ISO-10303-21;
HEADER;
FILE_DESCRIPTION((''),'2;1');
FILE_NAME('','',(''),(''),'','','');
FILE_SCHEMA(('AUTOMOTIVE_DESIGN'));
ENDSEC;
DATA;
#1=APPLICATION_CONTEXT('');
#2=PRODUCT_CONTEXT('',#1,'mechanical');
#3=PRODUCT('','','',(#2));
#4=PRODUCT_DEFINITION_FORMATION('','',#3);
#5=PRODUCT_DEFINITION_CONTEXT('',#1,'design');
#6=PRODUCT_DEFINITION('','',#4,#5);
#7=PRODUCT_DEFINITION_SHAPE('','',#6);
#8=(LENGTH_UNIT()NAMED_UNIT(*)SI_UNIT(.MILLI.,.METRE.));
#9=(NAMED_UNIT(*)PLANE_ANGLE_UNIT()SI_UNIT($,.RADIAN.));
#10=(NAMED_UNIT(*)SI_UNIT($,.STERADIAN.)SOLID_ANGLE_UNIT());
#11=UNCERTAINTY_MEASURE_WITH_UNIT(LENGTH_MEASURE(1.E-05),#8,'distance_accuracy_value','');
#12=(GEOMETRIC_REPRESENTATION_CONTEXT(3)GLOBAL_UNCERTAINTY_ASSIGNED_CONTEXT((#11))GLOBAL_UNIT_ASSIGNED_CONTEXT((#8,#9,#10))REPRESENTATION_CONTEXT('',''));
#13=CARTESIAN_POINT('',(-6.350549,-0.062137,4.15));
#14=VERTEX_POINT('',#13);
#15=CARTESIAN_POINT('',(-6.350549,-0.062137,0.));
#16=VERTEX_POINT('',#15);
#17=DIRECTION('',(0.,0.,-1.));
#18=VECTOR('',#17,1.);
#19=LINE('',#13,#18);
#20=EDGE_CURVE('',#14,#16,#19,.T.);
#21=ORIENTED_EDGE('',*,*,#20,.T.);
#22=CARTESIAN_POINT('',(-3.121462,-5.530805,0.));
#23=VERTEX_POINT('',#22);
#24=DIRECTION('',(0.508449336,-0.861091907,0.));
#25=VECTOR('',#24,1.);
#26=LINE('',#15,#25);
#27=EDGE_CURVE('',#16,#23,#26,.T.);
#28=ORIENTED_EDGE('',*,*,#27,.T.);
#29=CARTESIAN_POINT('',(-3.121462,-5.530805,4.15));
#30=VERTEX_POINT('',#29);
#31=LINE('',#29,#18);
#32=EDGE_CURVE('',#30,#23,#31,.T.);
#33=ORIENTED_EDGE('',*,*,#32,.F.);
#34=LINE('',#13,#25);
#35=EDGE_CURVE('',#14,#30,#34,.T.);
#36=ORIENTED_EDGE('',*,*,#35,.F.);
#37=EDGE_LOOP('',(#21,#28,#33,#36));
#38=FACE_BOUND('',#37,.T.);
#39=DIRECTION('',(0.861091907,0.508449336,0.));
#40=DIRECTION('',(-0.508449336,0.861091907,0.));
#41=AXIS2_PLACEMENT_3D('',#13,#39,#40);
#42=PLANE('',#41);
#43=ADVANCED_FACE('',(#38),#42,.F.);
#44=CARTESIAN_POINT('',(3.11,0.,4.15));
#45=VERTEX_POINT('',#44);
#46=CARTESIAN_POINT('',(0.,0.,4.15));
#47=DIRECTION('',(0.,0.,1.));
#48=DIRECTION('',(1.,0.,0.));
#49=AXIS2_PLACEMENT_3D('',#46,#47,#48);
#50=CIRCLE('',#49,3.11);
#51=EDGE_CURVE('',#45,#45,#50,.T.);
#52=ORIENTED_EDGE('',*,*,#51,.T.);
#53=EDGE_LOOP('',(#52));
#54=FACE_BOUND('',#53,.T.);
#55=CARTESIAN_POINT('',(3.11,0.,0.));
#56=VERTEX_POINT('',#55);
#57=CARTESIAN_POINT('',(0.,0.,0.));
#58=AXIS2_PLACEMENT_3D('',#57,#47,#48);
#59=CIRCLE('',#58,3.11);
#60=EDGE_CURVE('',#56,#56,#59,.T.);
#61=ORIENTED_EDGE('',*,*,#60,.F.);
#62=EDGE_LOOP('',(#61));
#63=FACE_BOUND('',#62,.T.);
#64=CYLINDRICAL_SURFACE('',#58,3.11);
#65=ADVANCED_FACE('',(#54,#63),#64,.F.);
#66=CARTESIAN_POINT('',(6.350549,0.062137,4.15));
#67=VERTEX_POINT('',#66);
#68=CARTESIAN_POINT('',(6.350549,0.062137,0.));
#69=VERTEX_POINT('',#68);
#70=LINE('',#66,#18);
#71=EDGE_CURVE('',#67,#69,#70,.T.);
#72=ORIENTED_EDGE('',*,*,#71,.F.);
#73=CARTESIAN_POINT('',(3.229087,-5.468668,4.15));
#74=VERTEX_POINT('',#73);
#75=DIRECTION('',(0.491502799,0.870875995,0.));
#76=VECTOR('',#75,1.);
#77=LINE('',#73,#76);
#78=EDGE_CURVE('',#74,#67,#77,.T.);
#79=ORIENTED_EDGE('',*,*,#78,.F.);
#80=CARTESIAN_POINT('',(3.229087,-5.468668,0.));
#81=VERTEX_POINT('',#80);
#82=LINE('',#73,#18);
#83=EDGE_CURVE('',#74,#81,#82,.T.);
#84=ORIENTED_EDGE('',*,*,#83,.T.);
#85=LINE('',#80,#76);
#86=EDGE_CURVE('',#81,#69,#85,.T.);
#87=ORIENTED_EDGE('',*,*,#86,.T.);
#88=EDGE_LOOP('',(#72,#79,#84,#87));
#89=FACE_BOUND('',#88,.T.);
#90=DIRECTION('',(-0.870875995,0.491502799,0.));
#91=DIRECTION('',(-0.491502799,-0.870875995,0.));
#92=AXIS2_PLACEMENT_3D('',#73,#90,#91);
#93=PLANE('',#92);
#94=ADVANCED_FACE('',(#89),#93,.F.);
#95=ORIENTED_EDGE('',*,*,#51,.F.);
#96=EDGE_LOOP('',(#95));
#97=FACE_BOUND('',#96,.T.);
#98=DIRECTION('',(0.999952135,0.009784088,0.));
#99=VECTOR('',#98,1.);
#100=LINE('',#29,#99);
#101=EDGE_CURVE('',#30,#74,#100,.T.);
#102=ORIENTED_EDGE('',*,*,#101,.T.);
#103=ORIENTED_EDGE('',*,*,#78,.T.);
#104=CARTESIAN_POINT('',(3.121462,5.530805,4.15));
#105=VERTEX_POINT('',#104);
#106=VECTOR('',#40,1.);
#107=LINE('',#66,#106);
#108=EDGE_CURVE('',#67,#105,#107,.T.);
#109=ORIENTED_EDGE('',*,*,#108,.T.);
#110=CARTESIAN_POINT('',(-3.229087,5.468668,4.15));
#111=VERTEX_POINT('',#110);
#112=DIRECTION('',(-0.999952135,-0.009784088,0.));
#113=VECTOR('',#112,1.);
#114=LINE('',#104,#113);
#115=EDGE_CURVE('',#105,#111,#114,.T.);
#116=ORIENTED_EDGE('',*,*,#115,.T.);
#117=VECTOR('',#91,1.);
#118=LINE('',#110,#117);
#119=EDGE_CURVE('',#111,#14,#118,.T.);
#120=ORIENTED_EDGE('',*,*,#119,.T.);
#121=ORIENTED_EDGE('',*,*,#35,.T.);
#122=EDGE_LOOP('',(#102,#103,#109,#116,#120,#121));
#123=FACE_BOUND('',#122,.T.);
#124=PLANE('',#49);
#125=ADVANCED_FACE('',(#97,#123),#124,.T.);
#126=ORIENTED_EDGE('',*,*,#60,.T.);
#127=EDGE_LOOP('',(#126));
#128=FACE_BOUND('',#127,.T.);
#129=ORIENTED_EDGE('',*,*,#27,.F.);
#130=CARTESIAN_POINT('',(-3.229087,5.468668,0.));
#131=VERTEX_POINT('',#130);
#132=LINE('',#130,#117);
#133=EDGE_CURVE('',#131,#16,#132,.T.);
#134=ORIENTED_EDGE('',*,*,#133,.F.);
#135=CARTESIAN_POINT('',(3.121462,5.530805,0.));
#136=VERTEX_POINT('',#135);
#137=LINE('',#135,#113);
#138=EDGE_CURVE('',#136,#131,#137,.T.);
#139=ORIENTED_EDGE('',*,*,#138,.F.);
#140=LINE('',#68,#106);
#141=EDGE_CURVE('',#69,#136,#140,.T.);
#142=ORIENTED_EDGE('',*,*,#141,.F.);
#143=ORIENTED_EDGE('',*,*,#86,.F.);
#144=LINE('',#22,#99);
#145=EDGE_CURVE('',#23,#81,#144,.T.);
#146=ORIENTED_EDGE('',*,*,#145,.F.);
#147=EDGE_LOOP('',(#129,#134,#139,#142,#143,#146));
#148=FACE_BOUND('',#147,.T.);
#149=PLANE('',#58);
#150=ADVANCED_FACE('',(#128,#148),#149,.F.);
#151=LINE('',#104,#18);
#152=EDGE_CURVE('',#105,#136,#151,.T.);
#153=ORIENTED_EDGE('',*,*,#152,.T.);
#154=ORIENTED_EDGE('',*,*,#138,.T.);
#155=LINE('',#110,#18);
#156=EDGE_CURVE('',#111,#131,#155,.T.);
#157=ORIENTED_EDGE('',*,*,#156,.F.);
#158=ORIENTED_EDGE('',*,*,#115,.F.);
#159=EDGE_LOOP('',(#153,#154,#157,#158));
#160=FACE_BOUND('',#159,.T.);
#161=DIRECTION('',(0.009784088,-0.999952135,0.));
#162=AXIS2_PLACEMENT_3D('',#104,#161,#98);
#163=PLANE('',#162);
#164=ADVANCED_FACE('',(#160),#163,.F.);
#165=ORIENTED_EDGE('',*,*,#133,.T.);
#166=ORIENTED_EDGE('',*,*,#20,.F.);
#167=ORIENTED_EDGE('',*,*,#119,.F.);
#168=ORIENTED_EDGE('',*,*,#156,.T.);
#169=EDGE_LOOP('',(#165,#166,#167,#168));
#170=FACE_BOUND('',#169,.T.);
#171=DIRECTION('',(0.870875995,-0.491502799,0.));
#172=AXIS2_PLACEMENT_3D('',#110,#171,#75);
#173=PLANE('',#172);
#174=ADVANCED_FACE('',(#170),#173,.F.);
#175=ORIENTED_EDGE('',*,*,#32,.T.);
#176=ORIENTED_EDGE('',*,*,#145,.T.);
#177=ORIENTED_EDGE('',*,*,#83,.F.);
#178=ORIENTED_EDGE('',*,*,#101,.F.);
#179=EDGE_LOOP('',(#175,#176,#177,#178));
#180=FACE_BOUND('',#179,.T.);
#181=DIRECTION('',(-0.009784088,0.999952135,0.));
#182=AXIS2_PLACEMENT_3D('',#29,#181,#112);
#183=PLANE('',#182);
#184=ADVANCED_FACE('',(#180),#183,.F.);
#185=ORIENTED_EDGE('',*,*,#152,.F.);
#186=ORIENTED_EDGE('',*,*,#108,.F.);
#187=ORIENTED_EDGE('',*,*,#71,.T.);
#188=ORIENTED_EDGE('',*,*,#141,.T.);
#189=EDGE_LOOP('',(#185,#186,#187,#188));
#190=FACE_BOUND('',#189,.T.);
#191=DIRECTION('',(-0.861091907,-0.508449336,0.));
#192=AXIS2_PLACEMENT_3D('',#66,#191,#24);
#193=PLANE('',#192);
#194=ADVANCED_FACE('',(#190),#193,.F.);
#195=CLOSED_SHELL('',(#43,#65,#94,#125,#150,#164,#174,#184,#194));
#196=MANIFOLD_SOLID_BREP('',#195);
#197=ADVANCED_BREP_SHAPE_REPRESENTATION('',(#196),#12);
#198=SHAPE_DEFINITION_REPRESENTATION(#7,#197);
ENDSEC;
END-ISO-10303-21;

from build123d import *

# Parameters (mm, degrees)
DODANIE_WYCI_GNI_CIE1_DEPTH = 4.15
SZKIC2_R                    = 3.11
WYTNIJ_WYCI_GNI_CIE1_DEPTH  = 5.15


with BuildPart() as part:
    # Szkic1 → Dodanie-wyciągnięcie1 (new body)
    with BuildSketch(Plane.XY):
        Polygon((-3.229086971, 5.468668089), (-6.350548975, -0.062137304), (-3.121462004, -5.530805393), (3.229086971, -5.468668089), (6.350548975, 0.062137304), (3.121462004, 5.530805393), align=None)
    extrude(amount=DODANIE_WYCI_GNI_CIE1_DEPTH)

    # Szkic2 → Wytnij-wyciągnięcie1 (cut, through all)
    with BuildSketch(Plane.XY.offset(4.15)):
        Circle(SZKIC2_R)
    extrude(amount=-WYTNIJ_WYCI_GNI_CIE1_DEPTH, mode=Mode.SUBTRACT)


solid = part.part
